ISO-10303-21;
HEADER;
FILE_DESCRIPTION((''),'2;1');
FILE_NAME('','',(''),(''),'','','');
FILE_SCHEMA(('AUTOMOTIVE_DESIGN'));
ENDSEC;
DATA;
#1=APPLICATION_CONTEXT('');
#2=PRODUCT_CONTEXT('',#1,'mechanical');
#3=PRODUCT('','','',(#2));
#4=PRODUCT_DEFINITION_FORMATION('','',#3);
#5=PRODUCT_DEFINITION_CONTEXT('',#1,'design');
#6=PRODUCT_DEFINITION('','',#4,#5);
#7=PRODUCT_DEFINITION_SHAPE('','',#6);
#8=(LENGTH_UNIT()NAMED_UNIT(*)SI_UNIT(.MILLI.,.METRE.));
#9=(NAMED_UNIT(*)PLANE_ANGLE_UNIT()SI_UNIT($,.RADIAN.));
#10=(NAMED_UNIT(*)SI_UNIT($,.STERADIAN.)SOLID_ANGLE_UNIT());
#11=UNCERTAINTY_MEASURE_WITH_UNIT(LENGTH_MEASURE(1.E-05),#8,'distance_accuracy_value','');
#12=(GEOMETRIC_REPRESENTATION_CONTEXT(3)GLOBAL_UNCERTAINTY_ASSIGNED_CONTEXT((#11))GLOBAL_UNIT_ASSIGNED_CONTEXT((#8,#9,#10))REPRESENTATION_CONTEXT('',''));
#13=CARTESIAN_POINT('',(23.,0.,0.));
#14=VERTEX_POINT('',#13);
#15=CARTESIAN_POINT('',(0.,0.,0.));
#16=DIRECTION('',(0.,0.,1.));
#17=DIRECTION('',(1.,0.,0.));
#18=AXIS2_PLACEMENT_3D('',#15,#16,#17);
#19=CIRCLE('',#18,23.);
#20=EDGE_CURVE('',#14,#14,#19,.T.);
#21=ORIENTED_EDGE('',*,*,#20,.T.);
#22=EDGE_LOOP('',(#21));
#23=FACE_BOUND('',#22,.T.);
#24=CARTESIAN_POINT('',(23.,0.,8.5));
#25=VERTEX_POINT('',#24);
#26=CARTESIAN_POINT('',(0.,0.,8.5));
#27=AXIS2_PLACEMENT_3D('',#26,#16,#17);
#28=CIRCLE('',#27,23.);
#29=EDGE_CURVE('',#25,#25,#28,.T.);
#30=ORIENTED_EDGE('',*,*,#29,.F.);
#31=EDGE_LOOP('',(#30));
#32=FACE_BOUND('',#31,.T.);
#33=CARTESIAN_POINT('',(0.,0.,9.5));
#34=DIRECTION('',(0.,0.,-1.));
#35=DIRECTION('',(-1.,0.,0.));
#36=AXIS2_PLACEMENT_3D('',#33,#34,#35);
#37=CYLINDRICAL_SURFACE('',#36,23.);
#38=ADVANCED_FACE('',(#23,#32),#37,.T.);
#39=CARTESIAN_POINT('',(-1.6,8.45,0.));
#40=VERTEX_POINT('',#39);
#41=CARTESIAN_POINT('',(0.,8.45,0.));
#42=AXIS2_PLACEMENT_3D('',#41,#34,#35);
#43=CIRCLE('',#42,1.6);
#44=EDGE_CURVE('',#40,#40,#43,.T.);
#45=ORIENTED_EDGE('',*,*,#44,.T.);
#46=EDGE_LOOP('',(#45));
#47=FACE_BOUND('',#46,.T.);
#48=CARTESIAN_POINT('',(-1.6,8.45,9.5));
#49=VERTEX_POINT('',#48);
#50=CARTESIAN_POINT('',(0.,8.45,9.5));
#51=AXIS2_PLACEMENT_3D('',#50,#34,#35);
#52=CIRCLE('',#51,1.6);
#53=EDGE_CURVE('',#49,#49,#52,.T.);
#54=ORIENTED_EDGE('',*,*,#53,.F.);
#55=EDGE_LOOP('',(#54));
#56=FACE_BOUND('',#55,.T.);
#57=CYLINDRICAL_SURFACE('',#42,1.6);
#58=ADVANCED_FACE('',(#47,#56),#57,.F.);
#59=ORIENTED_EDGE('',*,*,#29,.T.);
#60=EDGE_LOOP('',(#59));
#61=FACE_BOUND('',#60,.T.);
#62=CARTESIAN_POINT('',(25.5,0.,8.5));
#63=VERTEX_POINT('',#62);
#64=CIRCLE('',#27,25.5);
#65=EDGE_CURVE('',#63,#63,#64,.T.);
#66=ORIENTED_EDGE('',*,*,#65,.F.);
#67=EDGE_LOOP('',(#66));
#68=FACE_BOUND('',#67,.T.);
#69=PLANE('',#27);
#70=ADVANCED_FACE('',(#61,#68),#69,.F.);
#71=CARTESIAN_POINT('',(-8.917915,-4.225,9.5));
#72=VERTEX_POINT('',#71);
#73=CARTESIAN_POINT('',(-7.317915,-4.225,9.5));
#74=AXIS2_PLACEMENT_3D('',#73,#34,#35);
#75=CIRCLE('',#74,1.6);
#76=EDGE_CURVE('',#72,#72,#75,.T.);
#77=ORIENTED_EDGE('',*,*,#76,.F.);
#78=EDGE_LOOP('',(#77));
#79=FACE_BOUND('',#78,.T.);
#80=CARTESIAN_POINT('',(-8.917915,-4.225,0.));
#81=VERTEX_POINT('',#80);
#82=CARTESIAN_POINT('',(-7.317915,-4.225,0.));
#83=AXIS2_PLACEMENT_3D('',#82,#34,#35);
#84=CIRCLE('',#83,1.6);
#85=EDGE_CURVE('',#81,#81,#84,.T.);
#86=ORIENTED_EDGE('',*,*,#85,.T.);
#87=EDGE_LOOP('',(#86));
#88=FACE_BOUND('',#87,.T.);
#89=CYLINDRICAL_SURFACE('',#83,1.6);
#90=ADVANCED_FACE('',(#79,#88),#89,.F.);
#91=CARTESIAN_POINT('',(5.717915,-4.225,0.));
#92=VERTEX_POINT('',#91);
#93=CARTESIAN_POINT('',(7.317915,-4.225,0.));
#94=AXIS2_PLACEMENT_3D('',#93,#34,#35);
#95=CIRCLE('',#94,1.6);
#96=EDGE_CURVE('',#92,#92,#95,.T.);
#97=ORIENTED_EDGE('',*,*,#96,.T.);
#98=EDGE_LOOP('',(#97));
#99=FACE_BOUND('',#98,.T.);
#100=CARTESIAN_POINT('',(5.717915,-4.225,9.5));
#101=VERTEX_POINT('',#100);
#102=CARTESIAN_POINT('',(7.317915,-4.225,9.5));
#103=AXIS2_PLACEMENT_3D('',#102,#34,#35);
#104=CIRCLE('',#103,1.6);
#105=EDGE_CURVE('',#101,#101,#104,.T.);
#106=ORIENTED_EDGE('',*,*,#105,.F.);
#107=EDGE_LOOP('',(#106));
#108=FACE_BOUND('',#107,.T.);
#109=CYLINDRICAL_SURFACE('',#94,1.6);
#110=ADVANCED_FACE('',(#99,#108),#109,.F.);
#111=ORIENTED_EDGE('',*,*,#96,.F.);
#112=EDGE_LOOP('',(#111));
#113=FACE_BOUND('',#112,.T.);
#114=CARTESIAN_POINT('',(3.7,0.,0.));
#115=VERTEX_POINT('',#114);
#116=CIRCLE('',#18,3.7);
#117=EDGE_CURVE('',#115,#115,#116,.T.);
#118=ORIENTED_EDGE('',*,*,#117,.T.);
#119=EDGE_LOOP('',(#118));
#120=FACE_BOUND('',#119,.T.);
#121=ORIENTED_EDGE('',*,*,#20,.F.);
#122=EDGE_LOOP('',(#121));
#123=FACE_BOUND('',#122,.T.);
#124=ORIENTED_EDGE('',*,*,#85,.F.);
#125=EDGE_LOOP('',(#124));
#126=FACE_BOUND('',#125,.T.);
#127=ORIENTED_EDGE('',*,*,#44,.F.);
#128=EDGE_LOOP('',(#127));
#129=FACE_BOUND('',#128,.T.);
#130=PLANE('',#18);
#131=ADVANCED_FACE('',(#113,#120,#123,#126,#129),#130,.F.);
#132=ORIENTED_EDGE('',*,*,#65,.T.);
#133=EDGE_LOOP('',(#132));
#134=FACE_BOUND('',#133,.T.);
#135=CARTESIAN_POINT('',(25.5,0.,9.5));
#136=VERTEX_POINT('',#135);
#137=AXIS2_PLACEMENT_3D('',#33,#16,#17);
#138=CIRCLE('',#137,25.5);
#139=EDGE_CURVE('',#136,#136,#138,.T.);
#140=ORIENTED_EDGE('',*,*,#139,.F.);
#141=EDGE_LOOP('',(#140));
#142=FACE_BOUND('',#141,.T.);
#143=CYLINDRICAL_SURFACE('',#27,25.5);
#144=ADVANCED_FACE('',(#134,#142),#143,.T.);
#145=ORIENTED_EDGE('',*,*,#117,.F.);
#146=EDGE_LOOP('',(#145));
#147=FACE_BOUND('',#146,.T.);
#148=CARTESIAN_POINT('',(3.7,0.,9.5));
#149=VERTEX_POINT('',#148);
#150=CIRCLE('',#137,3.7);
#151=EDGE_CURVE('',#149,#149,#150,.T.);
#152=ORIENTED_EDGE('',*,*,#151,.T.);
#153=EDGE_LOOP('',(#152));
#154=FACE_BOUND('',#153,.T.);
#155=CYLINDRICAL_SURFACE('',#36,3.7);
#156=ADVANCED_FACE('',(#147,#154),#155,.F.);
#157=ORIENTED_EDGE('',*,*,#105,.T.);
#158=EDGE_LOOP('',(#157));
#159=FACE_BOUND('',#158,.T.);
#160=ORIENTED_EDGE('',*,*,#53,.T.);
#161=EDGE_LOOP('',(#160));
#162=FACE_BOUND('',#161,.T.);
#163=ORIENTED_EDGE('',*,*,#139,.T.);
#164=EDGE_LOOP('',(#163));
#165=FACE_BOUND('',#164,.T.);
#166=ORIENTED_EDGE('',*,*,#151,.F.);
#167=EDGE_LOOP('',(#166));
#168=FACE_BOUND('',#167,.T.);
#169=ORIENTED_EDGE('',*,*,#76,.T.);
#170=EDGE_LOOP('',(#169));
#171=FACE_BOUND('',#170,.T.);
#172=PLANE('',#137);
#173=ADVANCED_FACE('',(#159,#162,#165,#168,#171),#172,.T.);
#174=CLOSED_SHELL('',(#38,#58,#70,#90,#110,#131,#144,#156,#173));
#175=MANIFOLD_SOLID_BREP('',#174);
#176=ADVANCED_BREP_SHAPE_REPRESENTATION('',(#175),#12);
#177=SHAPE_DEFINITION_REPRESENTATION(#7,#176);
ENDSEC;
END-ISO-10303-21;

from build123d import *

# Parameters (mm, degrees)
SKETCH1_R           = 23
SKETCH1_R_2         = 3.7
BOSS_EXTRUDE1_DEPTH = 9.5
BOSS_EXTRUDE3_START = -1
SKETCH9_R           = 25.5
SKETCH9_R_2         = 23
BOSS_EXTRUDE3_DEPTH = 1
HOLE1_D             = 3.2


with BuildPart() as part:
    # Sketch1 → Boss-Extrude1 (new body)
    with BuildSketch(Plane.XY):
        Circle(SKETCH1_R)
        Circle(SKETCH1_R_2, mode=Mode.SUBTRACT)
    extrude(amount=BOSS_EXTRUDE1_DEPTH)

    # Sketch9 → Boss-Extrude3 (add)
    with BuildSketch(Plane.XY.offset(9.5).offset(BOSS_EXTRUDE3_START)):
        Circle(SKETCH9_R)
        Circle(SKETCH9_R_2, mode=Mode.SUBTRACT)
    extrude(amount=BOSS_EXTRUDE3_DEPTH)

    # Hole1 (through all)
    with Locations(Plane(origin=(0, 8.45, 0), x_dir=(-1, 0, 0), z_dir=(0, 0, -1))):
        with Locations((0, 0), (-7.317914662, -12.675), (7.317914662, -12.675)):
            Hole(HOLE1_D / 2)


solid = part.part
